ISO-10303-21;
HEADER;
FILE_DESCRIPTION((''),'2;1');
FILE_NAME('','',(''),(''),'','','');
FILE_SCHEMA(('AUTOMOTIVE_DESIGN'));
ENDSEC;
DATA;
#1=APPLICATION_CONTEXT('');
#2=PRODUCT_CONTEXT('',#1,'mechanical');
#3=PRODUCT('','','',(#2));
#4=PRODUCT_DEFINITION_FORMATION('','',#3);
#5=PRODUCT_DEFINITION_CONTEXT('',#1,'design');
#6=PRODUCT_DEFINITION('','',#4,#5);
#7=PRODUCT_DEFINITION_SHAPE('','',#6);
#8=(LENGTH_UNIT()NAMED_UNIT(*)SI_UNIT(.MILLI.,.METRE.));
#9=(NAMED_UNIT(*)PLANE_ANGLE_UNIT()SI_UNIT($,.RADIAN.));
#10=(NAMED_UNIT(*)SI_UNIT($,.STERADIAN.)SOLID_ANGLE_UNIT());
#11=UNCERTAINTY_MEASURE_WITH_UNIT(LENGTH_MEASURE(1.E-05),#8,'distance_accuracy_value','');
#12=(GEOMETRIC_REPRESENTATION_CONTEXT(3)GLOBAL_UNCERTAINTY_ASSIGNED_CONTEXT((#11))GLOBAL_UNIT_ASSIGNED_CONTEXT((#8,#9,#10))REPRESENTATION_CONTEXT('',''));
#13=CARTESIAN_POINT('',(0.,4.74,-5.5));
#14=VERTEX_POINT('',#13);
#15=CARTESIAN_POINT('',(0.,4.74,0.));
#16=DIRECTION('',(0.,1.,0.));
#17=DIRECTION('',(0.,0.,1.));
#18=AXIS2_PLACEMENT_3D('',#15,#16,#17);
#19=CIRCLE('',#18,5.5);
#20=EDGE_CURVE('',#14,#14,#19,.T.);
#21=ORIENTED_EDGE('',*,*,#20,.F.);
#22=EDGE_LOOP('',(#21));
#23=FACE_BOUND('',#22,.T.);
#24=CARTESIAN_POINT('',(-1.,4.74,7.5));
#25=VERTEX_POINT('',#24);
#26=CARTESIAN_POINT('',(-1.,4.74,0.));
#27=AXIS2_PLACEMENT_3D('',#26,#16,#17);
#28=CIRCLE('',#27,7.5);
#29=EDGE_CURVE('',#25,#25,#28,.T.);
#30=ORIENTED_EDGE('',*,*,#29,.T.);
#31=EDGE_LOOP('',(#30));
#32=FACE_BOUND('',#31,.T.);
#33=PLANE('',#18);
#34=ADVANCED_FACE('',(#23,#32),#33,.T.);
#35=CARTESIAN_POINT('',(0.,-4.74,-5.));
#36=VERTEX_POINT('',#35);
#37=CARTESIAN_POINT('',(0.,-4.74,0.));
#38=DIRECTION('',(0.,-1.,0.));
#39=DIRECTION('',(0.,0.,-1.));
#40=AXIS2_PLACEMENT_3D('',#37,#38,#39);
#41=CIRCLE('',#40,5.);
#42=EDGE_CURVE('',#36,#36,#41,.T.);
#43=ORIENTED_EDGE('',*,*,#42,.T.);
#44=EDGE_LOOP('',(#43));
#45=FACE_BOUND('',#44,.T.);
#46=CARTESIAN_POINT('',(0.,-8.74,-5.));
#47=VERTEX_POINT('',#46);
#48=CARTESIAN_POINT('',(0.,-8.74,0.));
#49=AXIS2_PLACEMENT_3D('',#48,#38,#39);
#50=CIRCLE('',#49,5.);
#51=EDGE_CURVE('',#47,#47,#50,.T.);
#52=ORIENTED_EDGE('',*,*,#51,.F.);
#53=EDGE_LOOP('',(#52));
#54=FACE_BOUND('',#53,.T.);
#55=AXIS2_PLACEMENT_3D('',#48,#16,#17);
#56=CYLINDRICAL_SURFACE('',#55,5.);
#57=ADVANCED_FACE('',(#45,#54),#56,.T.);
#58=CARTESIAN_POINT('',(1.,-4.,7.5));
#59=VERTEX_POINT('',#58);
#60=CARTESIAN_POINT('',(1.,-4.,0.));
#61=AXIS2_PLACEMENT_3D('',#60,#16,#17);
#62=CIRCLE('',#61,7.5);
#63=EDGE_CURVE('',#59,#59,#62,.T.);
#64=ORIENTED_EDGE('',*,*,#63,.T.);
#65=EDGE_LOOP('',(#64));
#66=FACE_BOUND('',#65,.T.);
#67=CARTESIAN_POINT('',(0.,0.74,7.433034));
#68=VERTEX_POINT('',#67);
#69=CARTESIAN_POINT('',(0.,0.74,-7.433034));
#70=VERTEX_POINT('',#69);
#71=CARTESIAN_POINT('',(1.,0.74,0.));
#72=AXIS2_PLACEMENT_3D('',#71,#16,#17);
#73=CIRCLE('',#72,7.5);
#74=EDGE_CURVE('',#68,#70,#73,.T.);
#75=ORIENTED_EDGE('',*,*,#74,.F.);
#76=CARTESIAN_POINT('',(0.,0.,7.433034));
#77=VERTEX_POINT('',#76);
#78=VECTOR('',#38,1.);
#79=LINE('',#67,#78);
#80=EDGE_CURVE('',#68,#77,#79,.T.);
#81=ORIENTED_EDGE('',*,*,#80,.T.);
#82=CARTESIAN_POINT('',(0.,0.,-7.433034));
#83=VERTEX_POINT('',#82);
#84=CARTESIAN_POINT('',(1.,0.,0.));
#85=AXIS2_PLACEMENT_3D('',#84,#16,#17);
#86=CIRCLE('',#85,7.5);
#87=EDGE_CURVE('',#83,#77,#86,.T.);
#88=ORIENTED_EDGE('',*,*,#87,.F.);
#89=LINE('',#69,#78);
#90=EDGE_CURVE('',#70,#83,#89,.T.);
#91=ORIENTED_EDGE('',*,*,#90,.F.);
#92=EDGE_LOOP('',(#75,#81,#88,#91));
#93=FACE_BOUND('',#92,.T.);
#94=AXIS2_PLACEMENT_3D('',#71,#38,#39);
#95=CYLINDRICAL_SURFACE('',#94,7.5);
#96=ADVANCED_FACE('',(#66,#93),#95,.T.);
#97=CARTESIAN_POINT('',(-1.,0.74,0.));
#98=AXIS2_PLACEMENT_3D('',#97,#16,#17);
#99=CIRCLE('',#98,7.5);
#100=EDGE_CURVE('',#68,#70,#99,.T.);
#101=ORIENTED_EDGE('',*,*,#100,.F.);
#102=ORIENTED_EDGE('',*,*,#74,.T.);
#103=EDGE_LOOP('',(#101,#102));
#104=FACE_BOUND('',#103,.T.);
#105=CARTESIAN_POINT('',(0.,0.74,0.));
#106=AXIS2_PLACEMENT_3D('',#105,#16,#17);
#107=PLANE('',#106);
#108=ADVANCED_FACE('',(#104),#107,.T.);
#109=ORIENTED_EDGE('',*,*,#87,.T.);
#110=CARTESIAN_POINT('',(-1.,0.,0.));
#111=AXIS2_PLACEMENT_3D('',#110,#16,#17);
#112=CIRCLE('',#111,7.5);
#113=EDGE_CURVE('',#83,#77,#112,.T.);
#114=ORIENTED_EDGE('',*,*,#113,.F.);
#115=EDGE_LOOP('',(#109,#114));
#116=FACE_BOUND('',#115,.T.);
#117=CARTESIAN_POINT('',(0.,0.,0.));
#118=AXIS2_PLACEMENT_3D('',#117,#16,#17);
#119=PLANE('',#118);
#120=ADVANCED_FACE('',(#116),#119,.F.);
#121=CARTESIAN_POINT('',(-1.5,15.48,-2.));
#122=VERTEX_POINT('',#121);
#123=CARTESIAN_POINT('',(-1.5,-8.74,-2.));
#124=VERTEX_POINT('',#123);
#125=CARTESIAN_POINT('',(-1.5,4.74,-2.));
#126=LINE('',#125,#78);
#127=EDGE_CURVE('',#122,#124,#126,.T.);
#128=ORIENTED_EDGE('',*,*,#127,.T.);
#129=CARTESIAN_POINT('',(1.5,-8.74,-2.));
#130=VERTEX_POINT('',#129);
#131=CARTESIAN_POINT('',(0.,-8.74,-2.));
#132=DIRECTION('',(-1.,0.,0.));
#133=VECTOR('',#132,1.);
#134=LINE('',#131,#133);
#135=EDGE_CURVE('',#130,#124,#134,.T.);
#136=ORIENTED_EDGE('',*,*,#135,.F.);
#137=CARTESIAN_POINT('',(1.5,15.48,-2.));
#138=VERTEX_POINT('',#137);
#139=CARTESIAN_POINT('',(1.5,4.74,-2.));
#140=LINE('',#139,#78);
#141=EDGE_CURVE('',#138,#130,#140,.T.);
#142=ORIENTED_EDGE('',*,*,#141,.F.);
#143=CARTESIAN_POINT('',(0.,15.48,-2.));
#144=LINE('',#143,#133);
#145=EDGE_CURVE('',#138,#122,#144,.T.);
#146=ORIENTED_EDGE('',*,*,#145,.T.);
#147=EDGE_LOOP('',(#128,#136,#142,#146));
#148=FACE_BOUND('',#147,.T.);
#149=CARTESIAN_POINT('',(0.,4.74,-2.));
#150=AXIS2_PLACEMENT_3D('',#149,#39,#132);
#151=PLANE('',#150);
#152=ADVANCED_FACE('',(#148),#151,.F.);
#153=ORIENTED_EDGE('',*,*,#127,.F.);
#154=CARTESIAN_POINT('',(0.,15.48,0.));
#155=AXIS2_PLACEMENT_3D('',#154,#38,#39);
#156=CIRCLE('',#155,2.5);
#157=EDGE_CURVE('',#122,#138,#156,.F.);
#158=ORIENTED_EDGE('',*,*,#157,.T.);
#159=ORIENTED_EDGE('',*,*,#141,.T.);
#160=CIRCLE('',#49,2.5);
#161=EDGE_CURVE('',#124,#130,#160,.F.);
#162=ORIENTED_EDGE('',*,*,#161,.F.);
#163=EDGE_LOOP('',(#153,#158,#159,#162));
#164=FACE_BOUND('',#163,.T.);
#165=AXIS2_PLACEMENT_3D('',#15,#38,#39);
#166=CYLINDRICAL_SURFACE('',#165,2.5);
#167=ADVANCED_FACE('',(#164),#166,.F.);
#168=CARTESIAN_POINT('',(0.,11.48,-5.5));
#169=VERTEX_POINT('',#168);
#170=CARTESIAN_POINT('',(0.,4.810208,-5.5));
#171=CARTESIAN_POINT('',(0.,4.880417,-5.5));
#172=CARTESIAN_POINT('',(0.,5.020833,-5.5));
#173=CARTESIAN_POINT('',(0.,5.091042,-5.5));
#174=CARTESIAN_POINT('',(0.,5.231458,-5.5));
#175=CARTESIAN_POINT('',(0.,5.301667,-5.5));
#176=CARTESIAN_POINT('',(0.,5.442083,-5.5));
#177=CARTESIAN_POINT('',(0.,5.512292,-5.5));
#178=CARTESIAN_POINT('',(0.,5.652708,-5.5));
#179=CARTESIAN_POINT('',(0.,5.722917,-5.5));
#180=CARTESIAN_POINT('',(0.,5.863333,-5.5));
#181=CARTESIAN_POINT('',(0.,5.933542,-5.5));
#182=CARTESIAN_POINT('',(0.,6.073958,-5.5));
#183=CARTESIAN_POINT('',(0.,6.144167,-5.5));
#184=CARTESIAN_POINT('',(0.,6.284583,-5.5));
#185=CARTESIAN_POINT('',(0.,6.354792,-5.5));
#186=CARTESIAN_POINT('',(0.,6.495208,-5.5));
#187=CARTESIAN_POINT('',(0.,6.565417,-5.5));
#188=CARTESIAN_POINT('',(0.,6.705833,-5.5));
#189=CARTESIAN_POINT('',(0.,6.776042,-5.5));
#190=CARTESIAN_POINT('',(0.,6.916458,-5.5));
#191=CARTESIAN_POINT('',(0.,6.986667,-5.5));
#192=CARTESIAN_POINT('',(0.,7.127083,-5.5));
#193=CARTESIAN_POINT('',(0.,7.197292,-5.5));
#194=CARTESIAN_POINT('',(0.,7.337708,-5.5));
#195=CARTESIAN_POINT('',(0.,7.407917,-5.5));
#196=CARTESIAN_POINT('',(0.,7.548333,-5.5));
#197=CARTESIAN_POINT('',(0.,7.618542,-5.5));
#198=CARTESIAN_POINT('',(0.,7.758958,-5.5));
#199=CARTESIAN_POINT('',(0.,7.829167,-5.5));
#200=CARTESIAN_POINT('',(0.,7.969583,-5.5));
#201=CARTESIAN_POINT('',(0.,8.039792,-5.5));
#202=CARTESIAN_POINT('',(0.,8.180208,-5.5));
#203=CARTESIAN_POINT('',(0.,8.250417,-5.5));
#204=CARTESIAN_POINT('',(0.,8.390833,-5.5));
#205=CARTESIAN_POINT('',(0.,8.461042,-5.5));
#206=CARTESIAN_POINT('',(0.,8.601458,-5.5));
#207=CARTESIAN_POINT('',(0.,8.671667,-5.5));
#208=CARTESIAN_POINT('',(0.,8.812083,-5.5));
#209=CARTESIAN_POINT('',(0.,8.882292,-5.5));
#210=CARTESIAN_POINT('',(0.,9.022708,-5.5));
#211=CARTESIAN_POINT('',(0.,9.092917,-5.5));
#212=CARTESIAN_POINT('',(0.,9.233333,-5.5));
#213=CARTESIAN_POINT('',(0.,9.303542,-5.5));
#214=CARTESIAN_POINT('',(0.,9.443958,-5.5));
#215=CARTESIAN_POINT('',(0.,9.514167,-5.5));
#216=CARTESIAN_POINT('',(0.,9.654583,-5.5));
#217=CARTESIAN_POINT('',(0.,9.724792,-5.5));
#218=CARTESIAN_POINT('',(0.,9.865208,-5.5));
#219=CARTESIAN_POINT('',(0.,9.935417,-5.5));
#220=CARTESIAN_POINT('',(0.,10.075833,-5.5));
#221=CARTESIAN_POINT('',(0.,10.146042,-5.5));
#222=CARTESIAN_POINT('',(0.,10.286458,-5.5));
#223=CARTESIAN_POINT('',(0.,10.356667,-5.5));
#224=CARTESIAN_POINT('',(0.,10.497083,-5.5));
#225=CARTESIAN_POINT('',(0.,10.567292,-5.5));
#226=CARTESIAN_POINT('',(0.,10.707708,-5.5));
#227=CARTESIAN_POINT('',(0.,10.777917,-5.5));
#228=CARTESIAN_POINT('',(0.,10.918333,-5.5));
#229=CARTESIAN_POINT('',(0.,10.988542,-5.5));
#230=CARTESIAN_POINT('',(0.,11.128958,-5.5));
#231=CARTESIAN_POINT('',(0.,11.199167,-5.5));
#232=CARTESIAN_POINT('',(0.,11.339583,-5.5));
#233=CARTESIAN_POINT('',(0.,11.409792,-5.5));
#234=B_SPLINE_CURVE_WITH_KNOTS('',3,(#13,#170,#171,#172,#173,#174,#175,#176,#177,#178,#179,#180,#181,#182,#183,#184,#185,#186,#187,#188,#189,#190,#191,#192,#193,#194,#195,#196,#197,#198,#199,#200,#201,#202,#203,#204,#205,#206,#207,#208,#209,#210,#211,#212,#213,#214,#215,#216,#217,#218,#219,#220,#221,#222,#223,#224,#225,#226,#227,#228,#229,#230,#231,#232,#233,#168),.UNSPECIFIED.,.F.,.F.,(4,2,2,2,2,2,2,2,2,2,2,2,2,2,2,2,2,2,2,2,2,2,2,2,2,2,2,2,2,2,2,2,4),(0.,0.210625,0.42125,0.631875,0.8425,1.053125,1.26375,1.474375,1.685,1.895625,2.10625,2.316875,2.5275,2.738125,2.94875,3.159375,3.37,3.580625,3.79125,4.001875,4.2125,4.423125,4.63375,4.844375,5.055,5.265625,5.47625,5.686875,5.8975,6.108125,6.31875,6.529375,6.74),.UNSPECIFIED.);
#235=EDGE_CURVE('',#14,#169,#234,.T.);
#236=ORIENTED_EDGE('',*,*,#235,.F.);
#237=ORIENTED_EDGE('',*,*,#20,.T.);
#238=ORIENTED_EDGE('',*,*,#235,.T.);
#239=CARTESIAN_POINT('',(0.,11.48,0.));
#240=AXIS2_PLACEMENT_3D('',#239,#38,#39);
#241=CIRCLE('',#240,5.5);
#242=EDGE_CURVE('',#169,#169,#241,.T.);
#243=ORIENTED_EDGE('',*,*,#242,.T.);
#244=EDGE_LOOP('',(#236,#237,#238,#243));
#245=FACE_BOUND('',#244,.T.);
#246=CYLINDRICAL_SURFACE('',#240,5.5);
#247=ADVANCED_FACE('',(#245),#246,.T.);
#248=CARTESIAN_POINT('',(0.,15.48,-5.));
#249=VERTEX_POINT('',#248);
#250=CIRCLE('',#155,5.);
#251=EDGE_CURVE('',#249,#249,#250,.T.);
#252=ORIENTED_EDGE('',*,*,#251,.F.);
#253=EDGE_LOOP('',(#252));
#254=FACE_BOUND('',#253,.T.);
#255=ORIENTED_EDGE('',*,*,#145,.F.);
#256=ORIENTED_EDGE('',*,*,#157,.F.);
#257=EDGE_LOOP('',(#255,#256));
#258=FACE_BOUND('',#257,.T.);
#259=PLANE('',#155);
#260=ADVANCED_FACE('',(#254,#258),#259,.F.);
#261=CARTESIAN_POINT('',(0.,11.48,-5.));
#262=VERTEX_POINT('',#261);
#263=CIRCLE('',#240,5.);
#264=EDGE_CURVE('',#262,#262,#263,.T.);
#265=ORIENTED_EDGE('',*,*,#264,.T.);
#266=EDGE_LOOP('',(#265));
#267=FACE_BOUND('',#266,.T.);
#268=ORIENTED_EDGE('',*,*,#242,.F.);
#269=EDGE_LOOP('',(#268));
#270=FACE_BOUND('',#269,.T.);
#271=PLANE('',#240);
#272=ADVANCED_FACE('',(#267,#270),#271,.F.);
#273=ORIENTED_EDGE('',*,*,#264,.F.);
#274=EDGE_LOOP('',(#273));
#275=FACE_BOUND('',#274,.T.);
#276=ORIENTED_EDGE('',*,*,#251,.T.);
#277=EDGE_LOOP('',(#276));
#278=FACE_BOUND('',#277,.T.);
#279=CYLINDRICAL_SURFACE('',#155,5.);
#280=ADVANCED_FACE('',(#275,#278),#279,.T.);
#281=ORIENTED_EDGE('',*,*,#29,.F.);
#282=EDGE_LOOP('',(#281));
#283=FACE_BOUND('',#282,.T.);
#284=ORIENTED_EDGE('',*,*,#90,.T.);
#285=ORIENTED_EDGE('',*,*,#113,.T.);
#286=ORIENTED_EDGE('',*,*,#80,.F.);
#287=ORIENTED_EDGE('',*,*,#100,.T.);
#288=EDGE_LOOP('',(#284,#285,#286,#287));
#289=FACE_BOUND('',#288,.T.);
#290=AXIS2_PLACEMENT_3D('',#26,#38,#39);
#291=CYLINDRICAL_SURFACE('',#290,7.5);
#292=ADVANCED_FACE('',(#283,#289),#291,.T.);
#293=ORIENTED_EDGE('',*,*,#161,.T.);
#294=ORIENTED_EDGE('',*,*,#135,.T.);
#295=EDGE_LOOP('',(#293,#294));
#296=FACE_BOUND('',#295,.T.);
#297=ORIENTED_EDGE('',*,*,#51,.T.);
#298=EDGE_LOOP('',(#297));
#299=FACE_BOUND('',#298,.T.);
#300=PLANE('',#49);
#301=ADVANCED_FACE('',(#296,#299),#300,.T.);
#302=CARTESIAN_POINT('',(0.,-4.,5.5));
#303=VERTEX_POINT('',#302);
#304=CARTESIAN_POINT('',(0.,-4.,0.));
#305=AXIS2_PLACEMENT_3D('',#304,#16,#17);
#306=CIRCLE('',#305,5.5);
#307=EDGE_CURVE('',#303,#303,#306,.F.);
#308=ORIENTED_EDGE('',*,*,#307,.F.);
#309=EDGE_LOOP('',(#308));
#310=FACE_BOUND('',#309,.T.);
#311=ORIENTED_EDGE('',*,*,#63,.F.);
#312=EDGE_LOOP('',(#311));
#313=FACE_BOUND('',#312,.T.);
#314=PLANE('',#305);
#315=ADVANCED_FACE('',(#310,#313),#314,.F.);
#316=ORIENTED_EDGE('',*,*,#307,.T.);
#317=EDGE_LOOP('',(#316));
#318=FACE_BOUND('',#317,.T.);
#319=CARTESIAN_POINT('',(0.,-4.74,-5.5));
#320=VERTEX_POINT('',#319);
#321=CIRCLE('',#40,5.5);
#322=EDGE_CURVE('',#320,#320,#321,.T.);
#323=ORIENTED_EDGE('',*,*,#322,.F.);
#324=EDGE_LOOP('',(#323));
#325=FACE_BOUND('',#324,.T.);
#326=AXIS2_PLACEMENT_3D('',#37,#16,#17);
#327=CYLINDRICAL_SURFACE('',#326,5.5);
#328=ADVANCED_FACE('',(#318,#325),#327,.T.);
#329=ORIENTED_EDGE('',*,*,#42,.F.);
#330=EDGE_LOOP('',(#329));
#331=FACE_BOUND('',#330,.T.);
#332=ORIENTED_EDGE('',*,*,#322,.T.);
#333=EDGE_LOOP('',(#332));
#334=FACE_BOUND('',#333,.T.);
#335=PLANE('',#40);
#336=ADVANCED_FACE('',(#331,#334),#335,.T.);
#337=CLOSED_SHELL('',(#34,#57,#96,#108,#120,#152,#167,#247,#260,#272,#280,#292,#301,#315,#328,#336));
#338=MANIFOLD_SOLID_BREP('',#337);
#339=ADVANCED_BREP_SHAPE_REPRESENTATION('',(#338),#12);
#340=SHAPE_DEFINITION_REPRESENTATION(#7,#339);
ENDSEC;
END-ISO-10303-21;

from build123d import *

# Parameters (mm, degrees)
SKETCH1_R           = 7.5
BOSS_EXTRUDE1_DEPTH = 4.74
BOSS_EXTRUDE2_DEPTH = 0.74
BOSS_EXTRUDE3_START = -4
SKETCH1_4_R         = 7.5
BOSS_EXTRUDE3_DEPTH = 4
BOSS_EXTRUDE4_START = 4.74
SKETCH2_R           = 5
BOSS_EXTRUDE4_DEPTH = 4.74
BOSS_EXTRUDE5_START = 0.74
SKETCH2_3_R         = 5.5
SKETCH2_3_R_2       = 5
BOSS_EXTRUDE5_DEPTH = 0.74
SKETCH2_5_R         = 5.5
SKETCH2_5_R_2       = 5
BOSS_EXTRUDE6_DEPTH = 15.48
SKETCH2_6_R         = 5
BOSS_EXTRUDE7_DEPTH = 19.48


with BuildPart() as part:
    # Sketch1 → Boss-Extrude1 (new body)
    with BuildSketch(Plane(origin=(0, 0, 0), x_dir=(1, 0, 0), z_dir=(0, 1, 0))):
        with Locations((-1, 0)):
            Circle(SKETCH1_R)
        with BuildLine():
            ThreePointArc((1.5, 2), (0, -2.5), (-1.5, 2))
            Line((-1.5, 2), (1.5, 2))
        make_face(mode=Mode.SUBTRACT)
    extrude(amount=BOSS_EXTRUDE1_DEPTH)

    # Sketch1<3> → Boss-Extrude2 (add)
    with BuildSketch(Plane(origin=(0, 0, 0), x_dir=(1, 0, 0), z_dir=(0, 1, 0))):
        with BuildLine():
            ThreePointArc((0, -7.433034374), (5.937104415, -5.645794895), (8.5, 0))
            ThreePointArc((8.5, 0), (5.937104415, 5.645794895), (0, 7.433034374))
            ThreePointArc((0, 7.433034374), (4.645794895, 4.937104415), (6.5, 0))
            ThreePointArc((6.5, 0), (4.645794895, -4.937104415), (0, -7.433034374))
        make_face()
    extrude(amount=BOSS_EXTRUDE2_DEPTH)

    # Sketch1<4> → Boss-Extrude3 (add)
    with BuildSketch(Plane(origin=(0, 0, 0), x_dir=(1, 0, 0), z_dir=(0, 1, 0)).offset(BOSS_EXTRUDE3_START)):
        with Locations((1, 0)):
            Circle(SKETCH1_4_R)
        with BuildLine():
            ThreePointArc((1.5, 2), (0, -2.5), (-1.5, 2))
            Line((-1.5, 2), (1.5, 2))
        make_face(mode=Mode.SUBTRACT)
    extrude(amount=BOSS_EXTRUDE3_DEPTH)

    # Sketch2 → Boss-Extrude4 (add)
    with BuildSketch(Plane.XZ.offset(4).offset(BOSS_EXTRUDE4_START)):
        Circle(SKETCH2_R)
        with BuildLine():
            Line((1.5, -2), (-1.5, -2))
            ThreePointArc((-1.5, -2), (0, 2.5), (1.5, -2))
        make_face(mode=Mode.SUBTRACT)
    extrude(amount=-BOSS_EXTRUDE4_DEPTH)

    # Sketch2<3> → Boss-Extrude5 (add)
    with BuildSketch(Plane.XZ.offset(4).offset(BOSS_EXTRUDE5_START)):
        Circle(SKETCH2_3_R)
        Circle(SKETCH2_3_R_2, mode=Mode.SUBTRACT)
    extrude(amount=-BOSS_EXTRUDE5_DEPTH)

    # Sketch2<5> → Boss-Extrude6 (add)
    with BuildSketch(Plane.XZ.offset(4)):
        Circle(SKETCH2_5_R)
        Circle(SKETCH2_5_R_2, mode=Mode.SUBTRACT)
    extrude(amount=-BOSS_EXTRUDE6_DEPTH)

    # Sketch2<6> → Boss-Extrude7 (add)
    with BuildSketch(Plane.XZ.offset(4)):
        Circle(SKETCH2_6_R)
        with BuildLine():
            Line((1.5, -2), (-1.5, -2))
            ThreePointArc((-1.5, -2), (0, 2.5), (1.5, -2))
        make_face(mode=Mode.SUBTRACT)
    extrude(amount=-BOSS_EXTRUDE7_DEPTH)


solid = part.part
